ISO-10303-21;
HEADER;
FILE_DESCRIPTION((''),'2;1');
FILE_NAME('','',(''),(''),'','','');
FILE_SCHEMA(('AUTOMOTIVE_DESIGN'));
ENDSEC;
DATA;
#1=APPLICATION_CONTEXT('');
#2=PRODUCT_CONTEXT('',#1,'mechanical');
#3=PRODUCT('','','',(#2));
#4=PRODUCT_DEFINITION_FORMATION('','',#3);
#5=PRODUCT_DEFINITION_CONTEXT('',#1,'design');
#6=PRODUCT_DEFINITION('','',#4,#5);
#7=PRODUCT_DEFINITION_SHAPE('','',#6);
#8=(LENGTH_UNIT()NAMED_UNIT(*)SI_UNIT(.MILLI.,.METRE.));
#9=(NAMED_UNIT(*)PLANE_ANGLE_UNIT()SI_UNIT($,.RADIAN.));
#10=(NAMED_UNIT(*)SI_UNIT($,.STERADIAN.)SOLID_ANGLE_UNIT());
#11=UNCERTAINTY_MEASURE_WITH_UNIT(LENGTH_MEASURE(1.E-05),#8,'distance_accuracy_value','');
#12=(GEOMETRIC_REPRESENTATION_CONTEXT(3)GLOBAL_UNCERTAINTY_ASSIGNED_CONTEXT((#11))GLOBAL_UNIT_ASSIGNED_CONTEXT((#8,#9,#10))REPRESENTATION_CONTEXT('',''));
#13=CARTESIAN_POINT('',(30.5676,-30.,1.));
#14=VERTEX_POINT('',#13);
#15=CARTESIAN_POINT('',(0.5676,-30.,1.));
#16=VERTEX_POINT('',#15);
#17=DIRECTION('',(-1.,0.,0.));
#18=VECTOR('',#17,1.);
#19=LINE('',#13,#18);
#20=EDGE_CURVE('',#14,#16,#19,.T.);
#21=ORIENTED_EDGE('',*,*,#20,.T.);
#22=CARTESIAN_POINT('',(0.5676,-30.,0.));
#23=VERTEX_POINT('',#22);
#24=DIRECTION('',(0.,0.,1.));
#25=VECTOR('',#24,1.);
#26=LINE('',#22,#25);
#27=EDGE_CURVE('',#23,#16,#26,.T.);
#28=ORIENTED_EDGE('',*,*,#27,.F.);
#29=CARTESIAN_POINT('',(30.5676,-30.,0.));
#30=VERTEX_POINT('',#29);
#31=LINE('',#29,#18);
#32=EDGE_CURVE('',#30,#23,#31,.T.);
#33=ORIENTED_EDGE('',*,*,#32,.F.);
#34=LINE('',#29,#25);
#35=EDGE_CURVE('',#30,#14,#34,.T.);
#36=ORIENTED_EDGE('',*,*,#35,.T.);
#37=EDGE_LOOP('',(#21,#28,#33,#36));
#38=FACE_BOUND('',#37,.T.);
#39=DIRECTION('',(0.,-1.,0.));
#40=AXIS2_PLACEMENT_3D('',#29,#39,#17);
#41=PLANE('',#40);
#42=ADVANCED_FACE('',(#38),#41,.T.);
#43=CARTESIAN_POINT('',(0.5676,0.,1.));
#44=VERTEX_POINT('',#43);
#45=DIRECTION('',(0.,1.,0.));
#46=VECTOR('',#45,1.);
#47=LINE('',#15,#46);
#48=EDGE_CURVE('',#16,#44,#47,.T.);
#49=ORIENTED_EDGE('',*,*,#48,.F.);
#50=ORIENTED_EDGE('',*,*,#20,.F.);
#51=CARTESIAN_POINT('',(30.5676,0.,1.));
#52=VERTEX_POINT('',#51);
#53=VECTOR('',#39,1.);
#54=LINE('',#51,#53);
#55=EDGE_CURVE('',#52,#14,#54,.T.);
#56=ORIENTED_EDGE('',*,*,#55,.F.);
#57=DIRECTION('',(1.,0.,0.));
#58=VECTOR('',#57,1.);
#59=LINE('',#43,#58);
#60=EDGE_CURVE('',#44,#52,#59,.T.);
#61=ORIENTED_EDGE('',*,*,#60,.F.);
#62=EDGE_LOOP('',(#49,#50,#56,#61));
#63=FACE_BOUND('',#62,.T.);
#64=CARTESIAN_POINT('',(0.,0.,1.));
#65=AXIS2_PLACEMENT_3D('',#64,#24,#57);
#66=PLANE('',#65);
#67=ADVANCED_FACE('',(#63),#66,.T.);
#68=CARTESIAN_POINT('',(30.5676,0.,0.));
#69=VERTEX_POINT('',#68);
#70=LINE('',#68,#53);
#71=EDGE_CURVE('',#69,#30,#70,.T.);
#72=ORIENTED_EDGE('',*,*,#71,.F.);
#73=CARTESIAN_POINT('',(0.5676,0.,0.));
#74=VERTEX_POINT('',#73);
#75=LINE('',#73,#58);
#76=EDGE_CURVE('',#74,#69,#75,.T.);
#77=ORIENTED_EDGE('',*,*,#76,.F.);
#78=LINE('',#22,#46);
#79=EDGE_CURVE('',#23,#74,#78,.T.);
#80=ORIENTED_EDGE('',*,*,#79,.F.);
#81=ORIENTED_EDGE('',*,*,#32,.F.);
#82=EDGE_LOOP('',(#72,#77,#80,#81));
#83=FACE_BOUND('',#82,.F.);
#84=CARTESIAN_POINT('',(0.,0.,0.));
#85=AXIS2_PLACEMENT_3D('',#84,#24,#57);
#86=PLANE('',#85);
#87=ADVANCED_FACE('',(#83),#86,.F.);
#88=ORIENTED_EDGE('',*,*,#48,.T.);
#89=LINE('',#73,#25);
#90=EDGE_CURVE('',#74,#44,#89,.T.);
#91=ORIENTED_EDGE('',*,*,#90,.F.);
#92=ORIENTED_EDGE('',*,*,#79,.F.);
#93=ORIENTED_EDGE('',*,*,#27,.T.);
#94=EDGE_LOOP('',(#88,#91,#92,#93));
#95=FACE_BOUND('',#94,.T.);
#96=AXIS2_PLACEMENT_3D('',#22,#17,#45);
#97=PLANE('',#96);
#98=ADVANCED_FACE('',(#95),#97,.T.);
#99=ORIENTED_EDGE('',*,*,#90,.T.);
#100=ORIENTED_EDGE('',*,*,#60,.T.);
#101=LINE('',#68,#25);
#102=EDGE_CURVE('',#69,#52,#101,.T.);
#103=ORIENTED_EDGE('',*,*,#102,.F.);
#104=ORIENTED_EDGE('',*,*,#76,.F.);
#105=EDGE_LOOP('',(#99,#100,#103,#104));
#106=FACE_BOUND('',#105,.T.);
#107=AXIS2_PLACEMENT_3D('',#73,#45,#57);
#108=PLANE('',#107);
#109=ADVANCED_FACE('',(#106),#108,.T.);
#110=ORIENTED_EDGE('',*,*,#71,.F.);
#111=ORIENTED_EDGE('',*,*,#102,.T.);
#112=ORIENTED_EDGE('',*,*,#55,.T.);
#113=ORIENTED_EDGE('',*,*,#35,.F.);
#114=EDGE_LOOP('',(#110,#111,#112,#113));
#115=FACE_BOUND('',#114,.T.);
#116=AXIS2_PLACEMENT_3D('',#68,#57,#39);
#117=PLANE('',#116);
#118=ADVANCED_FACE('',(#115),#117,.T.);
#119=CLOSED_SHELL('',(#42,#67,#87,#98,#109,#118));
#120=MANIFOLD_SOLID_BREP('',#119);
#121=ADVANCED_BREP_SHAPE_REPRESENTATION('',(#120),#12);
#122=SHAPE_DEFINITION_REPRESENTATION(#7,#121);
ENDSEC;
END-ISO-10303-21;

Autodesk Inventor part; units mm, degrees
ref_plane "YZ Plane" through (0, 0, 0) normal (1, 0, 0) x (0, 1, 0)
ref_plane "XZ Plane" through (0, 0, 0) normal (0, 1, 0) x (-1, 0, 0)
ref_plane "XY Plane" through (0, 0, 0) normal (0, 0, 1) x (1, 0, 0)
sketch "Sketch1" plane through (0, 0, 0) normal (0, 0, 1) x (1, 0, 0)
  line L0 (31, -30) -> (0, -30) construction
  line L1 (31, 0) -> (31, -30) construction
  line L2 (0, 0) -> (31, 0) construction
  line L3 (0, 0) -> (0, -30) construction
  line L4 (0.5676, 0) -> (30.5676, 0)
  line L5 (30.5676, 0) -> (30.5676, -30)
  line L6 (30.5676, -30) -> (0.5676, -30)
  line L7 (0.5676, -30) -> (0.5676, 0)
  dimension "d0" = 30
extrude "Extrusion1" add sketch "Sketch1" along normal blind 1
properties part number "00_Mirror_30x30" material "Glass"
